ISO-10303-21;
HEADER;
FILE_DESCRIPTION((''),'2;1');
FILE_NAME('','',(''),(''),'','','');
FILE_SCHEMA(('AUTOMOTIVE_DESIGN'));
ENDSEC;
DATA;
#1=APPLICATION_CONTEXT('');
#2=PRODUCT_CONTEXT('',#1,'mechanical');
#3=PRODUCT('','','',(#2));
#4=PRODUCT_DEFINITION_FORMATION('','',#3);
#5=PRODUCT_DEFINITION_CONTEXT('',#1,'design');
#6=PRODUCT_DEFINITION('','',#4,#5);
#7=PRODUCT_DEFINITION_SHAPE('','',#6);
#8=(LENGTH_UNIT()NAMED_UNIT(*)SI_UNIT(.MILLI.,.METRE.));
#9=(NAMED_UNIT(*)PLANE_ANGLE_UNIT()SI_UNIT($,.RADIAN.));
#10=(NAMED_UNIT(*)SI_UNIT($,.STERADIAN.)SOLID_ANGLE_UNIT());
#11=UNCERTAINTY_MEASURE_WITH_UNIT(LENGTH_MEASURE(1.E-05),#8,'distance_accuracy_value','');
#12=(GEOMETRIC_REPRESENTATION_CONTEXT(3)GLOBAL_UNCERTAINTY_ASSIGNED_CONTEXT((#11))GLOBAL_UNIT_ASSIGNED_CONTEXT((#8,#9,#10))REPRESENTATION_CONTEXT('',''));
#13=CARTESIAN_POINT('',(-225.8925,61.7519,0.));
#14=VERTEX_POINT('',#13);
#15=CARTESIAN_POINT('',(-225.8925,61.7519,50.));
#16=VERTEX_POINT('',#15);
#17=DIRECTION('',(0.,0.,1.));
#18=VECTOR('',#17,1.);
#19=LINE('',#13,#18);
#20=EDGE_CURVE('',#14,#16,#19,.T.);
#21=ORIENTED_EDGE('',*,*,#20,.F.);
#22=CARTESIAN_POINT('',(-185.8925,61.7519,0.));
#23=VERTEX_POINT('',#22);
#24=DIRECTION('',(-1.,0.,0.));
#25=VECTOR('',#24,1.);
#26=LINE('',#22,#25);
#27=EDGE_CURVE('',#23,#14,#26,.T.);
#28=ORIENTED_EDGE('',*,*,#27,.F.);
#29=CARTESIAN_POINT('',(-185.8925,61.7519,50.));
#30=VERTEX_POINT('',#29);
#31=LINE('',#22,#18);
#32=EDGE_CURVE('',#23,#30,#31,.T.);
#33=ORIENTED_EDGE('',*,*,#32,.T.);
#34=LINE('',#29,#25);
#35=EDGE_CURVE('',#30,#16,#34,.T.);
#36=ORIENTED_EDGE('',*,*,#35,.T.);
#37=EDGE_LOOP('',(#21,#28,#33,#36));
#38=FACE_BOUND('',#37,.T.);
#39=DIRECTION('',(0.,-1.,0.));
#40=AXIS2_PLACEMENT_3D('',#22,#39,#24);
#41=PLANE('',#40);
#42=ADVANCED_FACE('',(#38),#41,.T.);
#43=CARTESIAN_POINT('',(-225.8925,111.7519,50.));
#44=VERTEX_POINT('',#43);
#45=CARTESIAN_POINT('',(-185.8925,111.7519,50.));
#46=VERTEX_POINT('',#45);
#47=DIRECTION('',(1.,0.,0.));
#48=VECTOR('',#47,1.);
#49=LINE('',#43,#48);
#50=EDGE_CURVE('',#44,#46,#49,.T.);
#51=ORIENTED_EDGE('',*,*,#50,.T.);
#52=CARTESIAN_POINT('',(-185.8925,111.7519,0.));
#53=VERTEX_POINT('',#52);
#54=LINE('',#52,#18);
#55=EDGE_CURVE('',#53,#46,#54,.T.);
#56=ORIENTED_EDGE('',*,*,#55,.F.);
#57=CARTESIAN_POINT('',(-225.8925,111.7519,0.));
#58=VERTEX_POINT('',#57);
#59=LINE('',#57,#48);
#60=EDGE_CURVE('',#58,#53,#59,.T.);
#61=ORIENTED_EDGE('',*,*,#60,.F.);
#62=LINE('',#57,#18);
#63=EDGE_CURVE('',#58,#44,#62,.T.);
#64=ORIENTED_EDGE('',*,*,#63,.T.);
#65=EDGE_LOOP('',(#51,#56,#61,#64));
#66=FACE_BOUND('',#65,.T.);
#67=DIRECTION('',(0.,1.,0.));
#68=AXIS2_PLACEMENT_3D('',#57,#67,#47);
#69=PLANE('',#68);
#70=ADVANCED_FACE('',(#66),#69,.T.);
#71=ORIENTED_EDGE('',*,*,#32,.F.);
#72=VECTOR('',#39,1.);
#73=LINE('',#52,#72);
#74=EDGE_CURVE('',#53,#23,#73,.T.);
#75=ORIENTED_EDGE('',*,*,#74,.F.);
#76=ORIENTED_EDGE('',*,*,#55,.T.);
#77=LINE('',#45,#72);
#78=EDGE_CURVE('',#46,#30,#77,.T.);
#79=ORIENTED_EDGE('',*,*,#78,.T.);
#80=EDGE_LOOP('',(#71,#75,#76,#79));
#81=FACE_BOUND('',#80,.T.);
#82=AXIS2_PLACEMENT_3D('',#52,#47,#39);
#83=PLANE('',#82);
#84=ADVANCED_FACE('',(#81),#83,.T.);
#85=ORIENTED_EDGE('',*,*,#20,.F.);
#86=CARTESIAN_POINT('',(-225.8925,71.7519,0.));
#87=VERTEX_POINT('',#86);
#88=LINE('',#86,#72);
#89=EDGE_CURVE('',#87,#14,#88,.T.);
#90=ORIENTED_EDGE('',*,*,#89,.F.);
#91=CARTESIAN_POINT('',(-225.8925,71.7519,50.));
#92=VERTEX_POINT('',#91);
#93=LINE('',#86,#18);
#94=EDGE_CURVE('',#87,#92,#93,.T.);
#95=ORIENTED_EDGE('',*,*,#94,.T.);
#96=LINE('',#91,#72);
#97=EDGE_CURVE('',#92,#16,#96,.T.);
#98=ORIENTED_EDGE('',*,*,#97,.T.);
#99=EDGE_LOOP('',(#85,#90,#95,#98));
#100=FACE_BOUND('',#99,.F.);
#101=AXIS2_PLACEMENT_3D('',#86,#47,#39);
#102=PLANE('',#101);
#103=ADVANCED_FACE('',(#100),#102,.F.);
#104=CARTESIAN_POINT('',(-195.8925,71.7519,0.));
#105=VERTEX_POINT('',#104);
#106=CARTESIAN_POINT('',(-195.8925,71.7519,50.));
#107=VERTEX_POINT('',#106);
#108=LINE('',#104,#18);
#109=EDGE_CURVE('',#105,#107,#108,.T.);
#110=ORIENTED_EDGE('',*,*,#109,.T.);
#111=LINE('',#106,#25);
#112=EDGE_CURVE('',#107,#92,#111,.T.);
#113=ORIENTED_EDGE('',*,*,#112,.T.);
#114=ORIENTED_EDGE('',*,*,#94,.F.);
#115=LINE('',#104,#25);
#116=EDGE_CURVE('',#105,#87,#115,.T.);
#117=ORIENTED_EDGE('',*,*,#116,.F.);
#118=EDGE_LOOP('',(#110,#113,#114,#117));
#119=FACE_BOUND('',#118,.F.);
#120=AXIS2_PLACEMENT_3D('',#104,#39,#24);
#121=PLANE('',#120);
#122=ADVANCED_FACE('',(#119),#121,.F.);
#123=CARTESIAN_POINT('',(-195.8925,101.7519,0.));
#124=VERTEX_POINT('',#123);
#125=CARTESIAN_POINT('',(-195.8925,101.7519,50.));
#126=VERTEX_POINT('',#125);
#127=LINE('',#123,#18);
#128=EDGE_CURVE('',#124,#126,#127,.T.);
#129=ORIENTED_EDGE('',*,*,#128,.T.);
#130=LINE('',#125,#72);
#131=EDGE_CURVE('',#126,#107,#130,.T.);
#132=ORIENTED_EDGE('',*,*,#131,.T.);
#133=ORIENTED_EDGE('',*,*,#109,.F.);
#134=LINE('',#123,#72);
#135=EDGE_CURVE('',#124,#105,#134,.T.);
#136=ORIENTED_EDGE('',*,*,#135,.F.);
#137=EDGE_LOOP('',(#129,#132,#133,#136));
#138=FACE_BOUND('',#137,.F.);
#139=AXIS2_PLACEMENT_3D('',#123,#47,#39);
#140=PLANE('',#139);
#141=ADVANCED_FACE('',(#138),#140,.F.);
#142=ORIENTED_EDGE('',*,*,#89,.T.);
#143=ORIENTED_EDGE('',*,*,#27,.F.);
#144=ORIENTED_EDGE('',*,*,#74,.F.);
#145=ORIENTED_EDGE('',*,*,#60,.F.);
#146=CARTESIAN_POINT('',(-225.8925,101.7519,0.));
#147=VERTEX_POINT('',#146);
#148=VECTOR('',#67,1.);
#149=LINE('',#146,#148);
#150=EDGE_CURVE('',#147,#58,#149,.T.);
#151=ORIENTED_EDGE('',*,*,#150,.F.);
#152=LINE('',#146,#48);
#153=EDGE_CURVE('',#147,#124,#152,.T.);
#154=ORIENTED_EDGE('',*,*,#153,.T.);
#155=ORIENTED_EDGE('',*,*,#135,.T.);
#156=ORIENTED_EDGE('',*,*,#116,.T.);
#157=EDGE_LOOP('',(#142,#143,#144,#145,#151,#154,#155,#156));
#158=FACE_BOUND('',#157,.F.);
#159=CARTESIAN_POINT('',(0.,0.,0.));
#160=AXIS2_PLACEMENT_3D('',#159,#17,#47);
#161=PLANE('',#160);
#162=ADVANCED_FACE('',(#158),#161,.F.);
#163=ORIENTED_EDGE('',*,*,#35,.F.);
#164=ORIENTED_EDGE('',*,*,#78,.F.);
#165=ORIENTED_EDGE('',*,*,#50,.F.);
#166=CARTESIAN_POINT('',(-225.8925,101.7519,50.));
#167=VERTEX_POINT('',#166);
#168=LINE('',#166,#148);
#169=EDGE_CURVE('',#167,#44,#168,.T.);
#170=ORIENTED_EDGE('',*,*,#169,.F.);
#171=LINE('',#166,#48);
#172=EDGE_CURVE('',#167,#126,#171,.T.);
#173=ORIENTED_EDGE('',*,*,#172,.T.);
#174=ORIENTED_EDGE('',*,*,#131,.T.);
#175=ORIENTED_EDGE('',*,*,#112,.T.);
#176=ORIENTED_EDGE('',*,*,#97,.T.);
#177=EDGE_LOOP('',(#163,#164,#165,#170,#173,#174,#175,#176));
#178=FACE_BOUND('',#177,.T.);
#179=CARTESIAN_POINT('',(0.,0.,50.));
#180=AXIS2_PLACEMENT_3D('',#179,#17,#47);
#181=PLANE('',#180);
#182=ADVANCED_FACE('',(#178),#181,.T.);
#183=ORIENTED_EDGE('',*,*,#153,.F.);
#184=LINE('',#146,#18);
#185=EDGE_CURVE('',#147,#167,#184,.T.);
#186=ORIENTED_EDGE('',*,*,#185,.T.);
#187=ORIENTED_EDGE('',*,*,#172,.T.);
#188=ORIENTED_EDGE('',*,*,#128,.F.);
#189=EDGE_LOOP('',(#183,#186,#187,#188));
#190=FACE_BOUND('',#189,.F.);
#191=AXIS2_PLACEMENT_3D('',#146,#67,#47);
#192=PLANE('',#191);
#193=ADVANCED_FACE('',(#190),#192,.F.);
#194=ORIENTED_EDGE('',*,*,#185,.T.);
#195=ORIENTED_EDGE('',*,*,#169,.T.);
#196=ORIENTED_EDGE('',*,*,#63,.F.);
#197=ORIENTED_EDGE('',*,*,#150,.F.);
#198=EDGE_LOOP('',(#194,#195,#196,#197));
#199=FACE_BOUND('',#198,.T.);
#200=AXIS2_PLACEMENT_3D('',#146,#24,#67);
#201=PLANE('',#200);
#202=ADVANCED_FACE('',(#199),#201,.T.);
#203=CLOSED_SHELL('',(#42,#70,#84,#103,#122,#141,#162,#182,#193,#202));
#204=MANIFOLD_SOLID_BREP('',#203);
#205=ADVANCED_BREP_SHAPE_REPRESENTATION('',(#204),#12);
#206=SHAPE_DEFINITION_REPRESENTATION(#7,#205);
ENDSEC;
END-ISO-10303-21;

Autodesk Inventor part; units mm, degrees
ref_plane "YZ Plane" through (0, 0, 0) normal (1, 0, 0) x (0, 1, 0)
ref_plane "XZ Plane" through (0, 0, 0) normal (0, 1, 0) x (-1, 0, 0)
ref_plane "XY Plane" through (0, 0, 0) normal (0, 0, 1) x (1, 0, 0)
sketch "Boceto1" plane through (0, 0, 0) normal (0, 0, 1) x (1, 0, 0)
  line L0 (-225.8925, 111.7519) -> (-185.8925, 111.7519)
  line L1 (-185.8925, 111.7519) -> (-185.8925, 61.7519)
  line L2 (-185.8925, 61.7519) -> (-225.8925, 61.7519)
  line L3 (-225.8925, 101.7519) -> (-195.8925, 101.7519)
  line L4 (-195.8925, 101.7519) -> (-195.8925, 71.7519)
  line L5 (-195.8925, 71.7519) -> (-225.8925, 71.7519)
  line L6 (-225.8925, 71.7519) -> (-225.8925, 61.7519)
  line L7 (-225.8925, 101.7519) -> (-225.8925, 111.7519)
  point P0 (0, 0)
  point P1 (0, 4.2735)
  dimension "d0" = 30
  dimension "d1" = 10
  dimension "d2" = 10
  dimension "d3" = 10
extrude "Extrusión1" add sketch "Boceto1" along normal blind 50
properties part number "Tope_Centro" material "Plástico ABS"
